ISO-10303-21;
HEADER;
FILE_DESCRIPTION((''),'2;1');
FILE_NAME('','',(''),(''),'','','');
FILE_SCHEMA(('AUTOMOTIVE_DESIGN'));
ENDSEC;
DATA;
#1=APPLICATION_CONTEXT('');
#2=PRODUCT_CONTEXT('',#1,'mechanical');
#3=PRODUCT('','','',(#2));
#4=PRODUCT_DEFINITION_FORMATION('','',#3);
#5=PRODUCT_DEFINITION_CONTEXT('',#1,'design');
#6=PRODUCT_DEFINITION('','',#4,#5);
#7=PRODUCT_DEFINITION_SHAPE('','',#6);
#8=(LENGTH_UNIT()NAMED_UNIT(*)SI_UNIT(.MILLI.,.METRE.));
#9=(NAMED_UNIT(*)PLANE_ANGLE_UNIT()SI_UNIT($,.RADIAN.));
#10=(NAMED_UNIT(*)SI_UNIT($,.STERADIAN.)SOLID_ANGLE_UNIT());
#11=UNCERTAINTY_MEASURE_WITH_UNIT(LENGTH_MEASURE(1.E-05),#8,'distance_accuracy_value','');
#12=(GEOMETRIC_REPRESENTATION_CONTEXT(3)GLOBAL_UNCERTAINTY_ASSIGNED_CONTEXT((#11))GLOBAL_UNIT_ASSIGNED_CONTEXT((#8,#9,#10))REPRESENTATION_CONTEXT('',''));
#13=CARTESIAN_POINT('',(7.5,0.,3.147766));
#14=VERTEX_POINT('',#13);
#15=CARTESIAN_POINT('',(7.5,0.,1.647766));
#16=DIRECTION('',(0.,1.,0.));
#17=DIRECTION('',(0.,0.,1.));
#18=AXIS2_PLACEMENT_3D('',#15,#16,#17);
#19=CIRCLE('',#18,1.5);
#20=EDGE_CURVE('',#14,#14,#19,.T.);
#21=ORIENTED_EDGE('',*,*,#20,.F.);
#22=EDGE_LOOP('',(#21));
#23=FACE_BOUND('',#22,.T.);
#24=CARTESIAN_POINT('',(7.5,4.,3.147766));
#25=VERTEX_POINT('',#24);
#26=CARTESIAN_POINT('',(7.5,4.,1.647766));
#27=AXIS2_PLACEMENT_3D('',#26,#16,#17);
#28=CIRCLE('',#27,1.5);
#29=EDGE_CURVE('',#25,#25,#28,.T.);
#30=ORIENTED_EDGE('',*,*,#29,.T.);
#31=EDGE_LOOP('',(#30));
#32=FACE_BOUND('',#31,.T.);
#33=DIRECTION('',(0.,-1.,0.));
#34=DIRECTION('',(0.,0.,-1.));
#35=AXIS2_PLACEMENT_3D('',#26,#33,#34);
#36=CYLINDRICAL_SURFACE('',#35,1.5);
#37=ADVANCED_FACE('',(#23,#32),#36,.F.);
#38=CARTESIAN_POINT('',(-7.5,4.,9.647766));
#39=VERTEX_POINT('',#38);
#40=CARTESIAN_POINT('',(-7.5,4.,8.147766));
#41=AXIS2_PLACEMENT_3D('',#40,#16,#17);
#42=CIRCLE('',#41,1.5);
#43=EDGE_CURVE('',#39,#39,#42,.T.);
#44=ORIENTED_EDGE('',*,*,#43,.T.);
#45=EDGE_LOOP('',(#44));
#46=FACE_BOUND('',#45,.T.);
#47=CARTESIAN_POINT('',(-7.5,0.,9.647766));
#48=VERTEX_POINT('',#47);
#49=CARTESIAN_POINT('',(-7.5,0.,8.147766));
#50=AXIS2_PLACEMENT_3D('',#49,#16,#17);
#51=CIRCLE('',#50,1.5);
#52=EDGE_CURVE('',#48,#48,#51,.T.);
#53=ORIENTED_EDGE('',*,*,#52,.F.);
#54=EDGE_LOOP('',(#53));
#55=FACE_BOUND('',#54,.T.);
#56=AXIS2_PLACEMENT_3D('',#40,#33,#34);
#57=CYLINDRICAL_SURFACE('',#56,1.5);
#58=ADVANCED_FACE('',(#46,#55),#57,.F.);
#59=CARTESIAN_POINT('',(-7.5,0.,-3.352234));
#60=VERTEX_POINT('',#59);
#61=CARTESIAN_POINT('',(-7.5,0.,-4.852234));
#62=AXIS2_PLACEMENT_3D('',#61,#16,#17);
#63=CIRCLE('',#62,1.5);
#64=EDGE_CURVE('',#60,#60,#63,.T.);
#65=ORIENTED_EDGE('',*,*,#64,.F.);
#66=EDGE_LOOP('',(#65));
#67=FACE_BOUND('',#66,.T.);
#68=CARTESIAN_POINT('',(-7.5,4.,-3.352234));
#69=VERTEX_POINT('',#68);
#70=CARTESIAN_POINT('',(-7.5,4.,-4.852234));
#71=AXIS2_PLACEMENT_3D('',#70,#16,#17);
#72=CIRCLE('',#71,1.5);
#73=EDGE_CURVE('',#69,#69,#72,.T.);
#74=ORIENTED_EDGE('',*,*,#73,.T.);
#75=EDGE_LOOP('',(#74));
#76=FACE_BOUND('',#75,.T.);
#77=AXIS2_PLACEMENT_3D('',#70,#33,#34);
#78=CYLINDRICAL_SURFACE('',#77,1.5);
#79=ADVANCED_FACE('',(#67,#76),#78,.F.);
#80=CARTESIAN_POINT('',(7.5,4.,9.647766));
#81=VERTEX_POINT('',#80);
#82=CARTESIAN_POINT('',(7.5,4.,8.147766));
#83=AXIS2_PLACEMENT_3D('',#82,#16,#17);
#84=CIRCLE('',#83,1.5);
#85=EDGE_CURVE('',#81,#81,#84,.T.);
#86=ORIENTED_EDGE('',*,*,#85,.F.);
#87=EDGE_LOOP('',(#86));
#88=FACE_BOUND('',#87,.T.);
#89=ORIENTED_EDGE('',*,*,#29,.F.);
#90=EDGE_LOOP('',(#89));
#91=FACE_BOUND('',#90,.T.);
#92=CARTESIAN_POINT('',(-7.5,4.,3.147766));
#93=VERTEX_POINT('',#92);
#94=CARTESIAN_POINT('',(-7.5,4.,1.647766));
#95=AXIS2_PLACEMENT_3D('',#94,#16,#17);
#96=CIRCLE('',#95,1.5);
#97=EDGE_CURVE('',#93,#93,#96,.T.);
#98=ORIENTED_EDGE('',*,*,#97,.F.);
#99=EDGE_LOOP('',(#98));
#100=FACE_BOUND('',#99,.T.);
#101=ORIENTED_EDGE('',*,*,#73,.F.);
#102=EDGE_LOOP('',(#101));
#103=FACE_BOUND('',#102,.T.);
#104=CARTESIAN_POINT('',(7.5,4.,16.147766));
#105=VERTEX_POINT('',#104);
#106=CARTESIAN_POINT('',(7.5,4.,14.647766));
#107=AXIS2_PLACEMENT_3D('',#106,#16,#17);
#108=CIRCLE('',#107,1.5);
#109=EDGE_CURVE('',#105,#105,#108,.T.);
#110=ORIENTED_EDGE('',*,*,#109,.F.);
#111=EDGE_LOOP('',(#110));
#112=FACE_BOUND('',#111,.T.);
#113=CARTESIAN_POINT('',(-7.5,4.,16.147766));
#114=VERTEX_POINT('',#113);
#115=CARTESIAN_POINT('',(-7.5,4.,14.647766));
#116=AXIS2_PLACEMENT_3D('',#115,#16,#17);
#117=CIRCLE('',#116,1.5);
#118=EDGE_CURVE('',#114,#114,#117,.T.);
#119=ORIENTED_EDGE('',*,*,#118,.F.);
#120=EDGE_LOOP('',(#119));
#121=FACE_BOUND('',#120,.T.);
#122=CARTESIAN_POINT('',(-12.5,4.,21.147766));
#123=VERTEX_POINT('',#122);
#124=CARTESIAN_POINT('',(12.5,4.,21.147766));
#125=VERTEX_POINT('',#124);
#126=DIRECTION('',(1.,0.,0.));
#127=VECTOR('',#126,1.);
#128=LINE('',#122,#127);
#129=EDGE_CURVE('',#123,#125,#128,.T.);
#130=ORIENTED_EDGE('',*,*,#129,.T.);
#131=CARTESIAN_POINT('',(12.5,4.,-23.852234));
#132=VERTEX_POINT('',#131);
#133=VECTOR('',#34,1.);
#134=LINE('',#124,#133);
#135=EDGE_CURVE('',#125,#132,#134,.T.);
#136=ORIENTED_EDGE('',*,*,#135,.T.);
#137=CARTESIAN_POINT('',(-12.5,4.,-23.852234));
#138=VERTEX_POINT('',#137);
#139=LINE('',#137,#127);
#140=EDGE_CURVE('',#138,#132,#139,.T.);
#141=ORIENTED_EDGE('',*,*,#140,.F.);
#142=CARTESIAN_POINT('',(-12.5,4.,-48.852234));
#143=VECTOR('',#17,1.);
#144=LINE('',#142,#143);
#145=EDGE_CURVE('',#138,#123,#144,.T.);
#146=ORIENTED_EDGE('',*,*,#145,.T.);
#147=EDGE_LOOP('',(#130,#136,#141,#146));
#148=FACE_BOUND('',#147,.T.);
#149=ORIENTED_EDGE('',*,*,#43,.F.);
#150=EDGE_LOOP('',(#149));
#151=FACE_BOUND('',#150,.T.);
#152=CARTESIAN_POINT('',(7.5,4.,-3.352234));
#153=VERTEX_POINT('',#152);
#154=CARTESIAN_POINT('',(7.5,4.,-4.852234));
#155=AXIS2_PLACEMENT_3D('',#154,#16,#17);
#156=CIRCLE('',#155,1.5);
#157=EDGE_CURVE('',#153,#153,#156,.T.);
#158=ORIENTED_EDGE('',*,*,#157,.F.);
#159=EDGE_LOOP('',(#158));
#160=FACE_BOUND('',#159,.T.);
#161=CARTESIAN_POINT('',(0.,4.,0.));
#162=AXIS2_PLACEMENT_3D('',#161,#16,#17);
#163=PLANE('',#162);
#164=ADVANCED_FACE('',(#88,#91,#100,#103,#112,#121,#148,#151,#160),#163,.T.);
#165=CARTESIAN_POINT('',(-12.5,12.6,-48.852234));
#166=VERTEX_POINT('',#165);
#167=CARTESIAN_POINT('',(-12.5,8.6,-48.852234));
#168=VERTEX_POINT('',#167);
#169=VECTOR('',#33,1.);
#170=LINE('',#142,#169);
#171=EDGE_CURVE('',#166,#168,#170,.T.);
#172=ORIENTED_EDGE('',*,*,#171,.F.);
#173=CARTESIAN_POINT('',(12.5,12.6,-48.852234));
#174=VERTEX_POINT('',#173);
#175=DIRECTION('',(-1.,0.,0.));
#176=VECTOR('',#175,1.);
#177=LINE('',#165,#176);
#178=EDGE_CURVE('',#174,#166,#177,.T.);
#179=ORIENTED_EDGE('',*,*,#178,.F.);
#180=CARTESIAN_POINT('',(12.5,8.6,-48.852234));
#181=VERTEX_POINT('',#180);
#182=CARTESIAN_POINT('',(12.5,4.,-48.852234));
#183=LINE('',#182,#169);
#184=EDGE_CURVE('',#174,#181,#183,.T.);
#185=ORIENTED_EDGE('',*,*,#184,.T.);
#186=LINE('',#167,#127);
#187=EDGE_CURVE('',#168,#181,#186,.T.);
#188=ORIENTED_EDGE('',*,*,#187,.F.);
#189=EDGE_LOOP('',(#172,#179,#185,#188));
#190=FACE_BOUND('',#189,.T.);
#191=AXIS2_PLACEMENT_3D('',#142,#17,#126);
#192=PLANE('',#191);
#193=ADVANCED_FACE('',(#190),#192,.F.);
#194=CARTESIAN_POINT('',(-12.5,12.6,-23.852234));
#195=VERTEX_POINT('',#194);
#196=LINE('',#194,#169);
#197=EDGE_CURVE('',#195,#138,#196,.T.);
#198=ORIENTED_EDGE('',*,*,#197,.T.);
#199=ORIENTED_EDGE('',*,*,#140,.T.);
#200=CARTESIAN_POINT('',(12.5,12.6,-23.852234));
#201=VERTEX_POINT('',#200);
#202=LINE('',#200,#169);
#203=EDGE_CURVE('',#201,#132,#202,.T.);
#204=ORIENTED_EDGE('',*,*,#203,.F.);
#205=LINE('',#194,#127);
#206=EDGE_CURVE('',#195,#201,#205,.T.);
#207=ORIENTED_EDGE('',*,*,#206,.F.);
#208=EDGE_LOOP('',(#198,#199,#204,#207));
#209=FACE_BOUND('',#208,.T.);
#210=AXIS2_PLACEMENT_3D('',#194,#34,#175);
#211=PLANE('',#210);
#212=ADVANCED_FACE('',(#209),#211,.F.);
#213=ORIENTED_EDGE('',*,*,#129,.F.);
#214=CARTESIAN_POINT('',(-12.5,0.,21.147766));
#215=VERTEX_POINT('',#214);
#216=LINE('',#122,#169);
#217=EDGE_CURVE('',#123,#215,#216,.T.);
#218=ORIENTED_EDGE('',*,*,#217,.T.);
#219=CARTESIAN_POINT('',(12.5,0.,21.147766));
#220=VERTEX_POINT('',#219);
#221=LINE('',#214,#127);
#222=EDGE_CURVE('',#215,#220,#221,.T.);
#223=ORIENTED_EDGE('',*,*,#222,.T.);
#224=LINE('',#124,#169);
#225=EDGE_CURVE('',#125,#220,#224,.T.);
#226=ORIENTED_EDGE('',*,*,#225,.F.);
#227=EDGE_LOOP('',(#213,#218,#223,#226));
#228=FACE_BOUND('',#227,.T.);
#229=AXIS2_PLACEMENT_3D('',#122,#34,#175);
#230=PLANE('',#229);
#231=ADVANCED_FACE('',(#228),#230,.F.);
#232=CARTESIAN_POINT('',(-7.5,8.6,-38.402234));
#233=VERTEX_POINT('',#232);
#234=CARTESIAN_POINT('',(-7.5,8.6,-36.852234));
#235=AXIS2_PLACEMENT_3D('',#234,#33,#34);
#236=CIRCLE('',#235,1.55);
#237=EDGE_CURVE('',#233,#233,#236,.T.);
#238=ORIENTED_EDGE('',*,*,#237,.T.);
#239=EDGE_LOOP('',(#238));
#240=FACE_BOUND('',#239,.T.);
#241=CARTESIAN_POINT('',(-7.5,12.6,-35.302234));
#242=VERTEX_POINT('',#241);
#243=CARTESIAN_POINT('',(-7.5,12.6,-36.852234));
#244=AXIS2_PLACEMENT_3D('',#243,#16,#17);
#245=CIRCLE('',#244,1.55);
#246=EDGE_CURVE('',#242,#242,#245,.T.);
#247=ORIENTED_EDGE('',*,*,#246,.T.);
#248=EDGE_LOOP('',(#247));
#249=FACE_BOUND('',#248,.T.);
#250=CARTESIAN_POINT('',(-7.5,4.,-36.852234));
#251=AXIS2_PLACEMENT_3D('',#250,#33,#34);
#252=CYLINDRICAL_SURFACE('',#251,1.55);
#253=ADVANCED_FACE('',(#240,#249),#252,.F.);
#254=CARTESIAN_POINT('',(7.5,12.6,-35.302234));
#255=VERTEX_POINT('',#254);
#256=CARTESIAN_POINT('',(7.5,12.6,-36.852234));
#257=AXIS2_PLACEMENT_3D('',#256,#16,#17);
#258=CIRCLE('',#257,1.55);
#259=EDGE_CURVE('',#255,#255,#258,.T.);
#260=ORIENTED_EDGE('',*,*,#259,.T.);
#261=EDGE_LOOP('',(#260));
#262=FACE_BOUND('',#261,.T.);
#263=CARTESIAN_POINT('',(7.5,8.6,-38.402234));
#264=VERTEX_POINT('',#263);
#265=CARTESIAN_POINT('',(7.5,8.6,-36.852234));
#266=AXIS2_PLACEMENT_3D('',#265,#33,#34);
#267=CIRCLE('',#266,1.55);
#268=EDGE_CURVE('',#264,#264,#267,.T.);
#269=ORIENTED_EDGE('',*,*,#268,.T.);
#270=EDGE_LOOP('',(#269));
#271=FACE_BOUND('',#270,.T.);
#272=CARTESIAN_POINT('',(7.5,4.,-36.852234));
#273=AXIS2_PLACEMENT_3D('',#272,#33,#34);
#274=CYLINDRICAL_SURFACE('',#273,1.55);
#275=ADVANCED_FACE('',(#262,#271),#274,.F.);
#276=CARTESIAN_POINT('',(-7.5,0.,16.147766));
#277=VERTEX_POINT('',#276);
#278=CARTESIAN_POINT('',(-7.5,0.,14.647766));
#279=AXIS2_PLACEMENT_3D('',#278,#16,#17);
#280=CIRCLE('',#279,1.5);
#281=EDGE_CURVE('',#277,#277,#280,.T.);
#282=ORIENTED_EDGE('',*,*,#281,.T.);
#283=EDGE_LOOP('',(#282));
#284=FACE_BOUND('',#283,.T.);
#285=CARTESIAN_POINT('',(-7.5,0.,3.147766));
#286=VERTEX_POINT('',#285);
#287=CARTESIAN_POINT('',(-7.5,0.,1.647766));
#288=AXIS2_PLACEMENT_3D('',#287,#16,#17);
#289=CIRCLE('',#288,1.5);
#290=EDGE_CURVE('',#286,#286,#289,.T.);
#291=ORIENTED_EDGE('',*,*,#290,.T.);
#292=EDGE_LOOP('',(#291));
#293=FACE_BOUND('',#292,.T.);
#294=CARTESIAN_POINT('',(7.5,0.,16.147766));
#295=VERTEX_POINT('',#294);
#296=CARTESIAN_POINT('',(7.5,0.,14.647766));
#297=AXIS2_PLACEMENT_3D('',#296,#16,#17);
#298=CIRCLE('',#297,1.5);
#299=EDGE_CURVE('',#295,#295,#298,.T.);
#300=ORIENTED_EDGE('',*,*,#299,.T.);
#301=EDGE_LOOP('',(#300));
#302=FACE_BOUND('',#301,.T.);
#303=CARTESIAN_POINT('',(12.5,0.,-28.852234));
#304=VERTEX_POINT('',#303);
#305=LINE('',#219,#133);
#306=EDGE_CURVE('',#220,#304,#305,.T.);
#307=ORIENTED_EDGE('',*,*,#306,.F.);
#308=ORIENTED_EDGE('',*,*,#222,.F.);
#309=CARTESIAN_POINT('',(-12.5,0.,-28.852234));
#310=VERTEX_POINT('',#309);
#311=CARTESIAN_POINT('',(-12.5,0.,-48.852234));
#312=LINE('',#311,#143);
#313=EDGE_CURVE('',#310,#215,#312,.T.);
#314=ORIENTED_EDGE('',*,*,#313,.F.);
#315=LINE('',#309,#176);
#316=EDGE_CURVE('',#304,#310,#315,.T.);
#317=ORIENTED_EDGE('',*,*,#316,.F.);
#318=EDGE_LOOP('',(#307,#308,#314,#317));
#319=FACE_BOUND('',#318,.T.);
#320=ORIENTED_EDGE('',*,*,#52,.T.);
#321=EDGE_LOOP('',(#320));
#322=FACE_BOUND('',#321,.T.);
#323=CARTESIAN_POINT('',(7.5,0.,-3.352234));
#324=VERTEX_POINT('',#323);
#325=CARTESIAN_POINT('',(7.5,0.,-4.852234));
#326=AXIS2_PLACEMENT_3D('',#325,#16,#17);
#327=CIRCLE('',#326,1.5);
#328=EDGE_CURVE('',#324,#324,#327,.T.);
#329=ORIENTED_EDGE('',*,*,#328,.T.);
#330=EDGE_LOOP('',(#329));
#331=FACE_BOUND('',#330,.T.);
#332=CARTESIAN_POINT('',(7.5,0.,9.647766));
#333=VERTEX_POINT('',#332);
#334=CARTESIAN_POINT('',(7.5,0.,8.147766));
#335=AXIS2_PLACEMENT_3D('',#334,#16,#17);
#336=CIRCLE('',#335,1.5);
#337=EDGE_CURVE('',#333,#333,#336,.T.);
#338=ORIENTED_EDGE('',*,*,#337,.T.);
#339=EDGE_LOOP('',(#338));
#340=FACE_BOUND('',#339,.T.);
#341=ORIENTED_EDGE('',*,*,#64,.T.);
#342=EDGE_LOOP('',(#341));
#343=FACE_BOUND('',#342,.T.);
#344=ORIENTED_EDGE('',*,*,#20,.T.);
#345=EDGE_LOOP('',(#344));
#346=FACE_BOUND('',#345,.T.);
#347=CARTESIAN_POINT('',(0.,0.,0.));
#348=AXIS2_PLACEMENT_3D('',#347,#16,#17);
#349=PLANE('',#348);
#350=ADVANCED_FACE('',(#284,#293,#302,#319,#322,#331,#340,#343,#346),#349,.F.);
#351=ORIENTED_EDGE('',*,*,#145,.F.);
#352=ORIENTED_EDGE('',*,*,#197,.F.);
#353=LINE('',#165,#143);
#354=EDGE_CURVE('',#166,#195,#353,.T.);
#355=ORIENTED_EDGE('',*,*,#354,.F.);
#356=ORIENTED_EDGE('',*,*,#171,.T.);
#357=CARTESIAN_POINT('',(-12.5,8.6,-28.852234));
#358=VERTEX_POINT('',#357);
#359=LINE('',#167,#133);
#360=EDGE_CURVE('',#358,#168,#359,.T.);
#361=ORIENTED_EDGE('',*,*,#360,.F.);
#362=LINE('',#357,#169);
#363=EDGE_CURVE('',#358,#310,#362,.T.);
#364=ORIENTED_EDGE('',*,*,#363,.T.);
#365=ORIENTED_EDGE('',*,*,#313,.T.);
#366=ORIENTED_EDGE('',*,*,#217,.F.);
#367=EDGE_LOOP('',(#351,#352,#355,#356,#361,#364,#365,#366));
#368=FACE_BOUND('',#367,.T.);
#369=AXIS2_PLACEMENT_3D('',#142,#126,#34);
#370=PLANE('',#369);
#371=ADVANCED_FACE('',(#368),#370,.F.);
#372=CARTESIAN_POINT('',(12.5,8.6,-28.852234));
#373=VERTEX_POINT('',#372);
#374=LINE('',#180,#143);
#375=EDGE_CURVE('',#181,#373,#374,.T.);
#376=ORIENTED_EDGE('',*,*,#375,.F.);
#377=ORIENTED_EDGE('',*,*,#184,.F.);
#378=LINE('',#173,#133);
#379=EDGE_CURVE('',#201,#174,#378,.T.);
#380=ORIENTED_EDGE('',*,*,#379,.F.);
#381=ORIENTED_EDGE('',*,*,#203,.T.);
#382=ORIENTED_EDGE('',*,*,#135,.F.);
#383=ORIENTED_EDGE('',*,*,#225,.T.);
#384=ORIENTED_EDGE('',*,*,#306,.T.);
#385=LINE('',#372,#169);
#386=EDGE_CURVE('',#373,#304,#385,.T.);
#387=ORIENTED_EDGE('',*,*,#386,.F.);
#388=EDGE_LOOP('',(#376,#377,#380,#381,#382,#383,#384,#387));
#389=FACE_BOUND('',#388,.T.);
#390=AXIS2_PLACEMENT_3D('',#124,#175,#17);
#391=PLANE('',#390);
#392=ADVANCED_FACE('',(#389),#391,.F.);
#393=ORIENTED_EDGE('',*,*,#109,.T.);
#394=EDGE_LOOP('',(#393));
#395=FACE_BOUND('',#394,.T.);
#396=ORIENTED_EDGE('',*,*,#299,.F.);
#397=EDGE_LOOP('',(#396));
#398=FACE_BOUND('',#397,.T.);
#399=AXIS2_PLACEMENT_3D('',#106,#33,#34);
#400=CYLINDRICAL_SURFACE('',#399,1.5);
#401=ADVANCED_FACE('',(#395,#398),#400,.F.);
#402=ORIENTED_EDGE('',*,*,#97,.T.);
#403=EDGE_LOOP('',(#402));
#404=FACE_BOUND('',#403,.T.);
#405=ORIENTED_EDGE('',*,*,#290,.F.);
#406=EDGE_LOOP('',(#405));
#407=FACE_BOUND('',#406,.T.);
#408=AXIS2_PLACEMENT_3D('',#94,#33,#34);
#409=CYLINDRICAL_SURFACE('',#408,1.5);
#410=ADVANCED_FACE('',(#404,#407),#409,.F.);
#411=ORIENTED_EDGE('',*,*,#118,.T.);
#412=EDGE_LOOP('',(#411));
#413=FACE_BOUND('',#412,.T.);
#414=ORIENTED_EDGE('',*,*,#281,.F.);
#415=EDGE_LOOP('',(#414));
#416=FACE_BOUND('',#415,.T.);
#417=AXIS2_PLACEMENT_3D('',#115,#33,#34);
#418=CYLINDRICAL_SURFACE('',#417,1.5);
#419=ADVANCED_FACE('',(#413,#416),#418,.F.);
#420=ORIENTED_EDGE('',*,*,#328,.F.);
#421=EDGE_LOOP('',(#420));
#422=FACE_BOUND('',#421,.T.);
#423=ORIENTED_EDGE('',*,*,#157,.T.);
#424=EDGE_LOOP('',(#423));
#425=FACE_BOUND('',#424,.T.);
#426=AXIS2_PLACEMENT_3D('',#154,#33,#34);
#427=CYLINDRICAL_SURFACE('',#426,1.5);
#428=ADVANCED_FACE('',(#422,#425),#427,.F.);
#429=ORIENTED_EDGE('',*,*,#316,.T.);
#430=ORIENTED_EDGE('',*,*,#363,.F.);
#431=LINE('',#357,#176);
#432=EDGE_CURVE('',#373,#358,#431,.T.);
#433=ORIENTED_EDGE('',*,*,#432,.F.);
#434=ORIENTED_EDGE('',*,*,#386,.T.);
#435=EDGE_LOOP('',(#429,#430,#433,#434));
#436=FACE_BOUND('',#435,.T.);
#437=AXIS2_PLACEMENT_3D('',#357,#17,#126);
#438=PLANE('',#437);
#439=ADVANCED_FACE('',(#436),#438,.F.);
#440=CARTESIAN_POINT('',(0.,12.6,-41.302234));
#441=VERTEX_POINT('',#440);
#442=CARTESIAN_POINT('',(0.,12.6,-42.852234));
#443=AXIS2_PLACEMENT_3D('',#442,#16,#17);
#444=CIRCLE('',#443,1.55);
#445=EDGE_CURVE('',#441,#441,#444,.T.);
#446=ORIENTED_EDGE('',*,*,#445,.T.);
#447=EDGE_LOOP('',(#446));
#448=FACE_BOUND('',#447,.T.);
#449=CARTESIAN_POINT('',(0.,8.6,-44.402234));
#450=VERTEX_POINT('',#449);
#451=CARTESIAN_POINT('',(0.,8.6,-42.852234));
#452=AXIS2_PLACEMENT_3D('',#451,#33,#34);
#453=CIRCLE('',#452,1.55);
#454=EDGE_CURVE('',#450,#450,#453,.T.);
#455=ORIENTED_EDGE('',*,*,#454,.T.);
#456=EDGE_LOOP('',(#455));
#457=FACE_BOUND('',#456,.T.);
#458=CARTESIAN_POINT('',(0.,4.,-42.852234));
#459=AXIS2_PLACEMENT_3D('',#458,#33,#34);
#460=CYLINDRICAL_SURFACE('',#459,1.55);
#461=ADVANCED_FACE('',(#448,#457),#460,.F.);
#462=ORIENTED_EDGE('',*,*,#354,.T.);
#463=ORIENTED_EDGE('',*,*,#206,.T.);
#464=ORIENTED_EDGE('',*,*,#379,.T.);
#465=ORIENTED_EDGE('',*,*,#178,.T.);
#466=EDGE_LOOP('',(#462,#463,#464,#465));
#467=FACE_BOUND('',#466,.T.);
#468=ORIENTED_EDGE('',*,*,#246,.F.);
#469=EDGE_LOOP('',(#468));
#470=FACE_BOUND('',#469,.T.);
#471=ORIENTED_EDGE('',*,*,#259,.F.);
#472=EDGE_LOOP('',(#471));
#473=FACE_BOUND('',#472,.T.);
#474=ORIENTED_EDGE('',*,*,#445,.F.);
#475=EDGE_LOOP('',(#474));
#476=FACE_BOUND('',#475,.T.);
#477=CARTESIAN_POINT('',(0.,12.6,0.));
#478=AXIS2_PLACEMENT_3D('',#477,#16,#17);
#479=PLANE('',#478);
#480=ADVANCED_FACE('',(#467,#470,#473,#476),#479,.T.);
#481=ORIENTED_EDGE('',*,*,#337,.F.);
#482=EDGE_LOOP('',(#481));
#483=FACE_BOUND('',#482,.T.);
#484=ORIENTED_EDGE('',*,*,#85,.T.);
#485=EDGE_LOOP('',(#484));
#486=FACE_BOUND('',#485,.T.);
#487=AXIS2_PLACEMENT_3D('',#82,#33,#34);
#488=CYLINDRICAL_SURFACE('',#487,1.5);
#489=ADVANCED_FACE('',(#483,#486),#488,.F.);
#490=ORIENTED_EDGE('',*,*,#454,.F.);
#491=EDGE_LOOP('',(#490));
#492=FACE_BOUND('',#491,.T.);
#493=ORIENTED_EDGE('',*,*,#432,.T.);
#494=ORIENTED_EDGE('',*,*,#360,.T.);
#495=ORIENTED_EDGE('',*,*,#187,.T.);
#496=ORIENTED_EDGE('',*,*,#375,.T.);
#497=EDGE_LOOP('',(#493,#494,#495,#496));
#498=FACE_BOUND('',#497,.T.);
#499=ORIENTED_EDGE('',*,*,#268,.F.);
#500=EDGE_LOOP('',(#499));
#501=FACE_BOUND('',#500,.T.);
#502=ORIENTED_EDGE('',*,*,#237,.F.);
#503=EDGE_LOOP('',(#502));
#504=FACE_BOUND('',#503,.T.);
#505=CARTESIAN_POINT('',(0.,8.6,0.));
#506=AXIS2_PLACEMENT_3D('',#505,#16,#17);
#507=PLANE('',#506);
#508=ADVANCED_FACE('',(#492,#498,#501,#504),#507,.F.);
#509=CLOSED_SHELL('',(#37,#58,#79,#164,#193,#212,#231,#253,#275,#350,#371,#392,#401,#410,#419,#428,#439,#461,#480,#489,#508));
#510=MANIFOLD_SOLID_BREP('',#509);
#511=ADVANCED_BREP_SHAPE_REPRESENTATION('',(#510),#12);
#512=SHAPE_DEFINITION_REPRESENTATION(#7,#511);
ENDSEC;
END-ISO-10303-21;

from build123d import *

# Parameters (mm, degrees)
SKETCH_1_W          = 25
SKETCH_1_H          = 70
SKETCH_1_R          = 1.55
SKETCH_1_R_2        = 1.5
EXTRUDE_1_DEPTH     = 4
SKETCH_2_W          = 25
SKETCH_2_H          = 25
SKETCH_2_R          = 1.55
EXTRUDE_2_DEPTH     = 8.6
SKETCH_3_W          = 25
SKETCH_3_H          = 20
SKETCH_3_R          = 1.55
CUT_EXTRUDE_1_DEPTH = 8.6


with BuildPart() as part:
    # Эскиз1 → Бобышка-Вытянуть1 (new body)
    with BuildSketch(Plane(origin=(0, 0, 0), x_dir=(1, 0, 0), z_dir=(0, 1, 0))):
        with Locations((0, 13.852233677)):
            Rectangle(SKETCH_1_W, SKETCH_1_H)
        with Locations((-7.5, 36.852233677)):
            Circle(SKETCH_1_R, mode=Mode.SUBTRACT)
        with Locations((7.5, 36.852233677)):
            Circle(SKETCH_1_R, mode=Mode.SUBTRACT)
        with Locations((-7.5, -14.647766323)):
            Circle(SKETCH_1_R_2, mode=Mode.SUBTRACT)
        with Locations((7.5, -14.647766323)):
            Circle(SKETCH_1_R_2, mode=Mode.SUBTRACT)
        with Locations((-7.5, -8.147766323)):
            Circle(SKETCH_1_R_2, mode=Mode.SUBTRACT)
        with Locations((7.5, -8.147766323)):
            Circle(SKETCH_1_R_2, mode=Mode.SUBTRACT)
        with Locations((-7.5, -1.647766323)):
            Circle(SKETCH_1_R_2, mode=Mode.SUBTRACT)
        with Locations((7.5, -1.647766323)):
            Circle(SKETCH_1_R_2, mode=Mode.SUBTRACT)
        with Locations((-7.5, 4.852233677)):
            Circle(SKETCH_1_R_2, mode=Mode.SUBTRACT)
        with Locations((7.5, 4.852233677)):
            Circle(SKETCH_1_R_2, mode=Mode.SUBTRACT)
        with Locations((0, 42.852233677)):
            Circle(SKETCH_1_R, mode=Mode.SUBTRACT)
    extrude(amount=EXTRUDE_1_DEPTH)

    # Эскиз2 → Бобышка-Вытянуть2 (add)
    with BuildSketch(Plane(origin=(0, 4, 0), x_dir=(1, 0, 0), z_dir=(0, 1, 0))):
        with Locations((0, 36.352233677)):
            Rectangle(SKETCH_2_W, SKETCH_2_H)
        with Locations((0, 42.852233677)):
            Circle(SKETCH_2_R, mode=Mode.SUBTRACT)
        with Locations((7.5, 36.852233677)):
            Circle(SKETCH_2_R, mode=Mode.SUBTRACT)
        with Locations((-7.5, 36.852233677)):
            Circle(SKETCH_2_R, mode=Mode.SUBTRACT)
    extrude(amount=EXTRUDE_2_DEPTH)

    # Эскиз3 → Вырез-Вытянуть1 (cut)
    with BuildSketch(Plane.XZ):
        with Locations((0, -38.852233677)):
            Rectangle(SKETCH_3_W, SKETCH_3_H)
        with Locations((-7.5, -36.852233677)):
            Circle(SKETCH_3_R, mode=Mode.SUBTRACT)
        with Locations((7.5, -36.852233677)):
            Circle(SKETCH_3_R, mode=Mode.SUBTRACT)
        with Locations((0, -42.852233677)):
            Circle(SKETCH_3_R, mode=Mode.SUBTRACT)
    extrude(amount=-CUT_EXTRUDE_1_DEPTH, mode=Mode.SUBTRACT)


solid = part.part
